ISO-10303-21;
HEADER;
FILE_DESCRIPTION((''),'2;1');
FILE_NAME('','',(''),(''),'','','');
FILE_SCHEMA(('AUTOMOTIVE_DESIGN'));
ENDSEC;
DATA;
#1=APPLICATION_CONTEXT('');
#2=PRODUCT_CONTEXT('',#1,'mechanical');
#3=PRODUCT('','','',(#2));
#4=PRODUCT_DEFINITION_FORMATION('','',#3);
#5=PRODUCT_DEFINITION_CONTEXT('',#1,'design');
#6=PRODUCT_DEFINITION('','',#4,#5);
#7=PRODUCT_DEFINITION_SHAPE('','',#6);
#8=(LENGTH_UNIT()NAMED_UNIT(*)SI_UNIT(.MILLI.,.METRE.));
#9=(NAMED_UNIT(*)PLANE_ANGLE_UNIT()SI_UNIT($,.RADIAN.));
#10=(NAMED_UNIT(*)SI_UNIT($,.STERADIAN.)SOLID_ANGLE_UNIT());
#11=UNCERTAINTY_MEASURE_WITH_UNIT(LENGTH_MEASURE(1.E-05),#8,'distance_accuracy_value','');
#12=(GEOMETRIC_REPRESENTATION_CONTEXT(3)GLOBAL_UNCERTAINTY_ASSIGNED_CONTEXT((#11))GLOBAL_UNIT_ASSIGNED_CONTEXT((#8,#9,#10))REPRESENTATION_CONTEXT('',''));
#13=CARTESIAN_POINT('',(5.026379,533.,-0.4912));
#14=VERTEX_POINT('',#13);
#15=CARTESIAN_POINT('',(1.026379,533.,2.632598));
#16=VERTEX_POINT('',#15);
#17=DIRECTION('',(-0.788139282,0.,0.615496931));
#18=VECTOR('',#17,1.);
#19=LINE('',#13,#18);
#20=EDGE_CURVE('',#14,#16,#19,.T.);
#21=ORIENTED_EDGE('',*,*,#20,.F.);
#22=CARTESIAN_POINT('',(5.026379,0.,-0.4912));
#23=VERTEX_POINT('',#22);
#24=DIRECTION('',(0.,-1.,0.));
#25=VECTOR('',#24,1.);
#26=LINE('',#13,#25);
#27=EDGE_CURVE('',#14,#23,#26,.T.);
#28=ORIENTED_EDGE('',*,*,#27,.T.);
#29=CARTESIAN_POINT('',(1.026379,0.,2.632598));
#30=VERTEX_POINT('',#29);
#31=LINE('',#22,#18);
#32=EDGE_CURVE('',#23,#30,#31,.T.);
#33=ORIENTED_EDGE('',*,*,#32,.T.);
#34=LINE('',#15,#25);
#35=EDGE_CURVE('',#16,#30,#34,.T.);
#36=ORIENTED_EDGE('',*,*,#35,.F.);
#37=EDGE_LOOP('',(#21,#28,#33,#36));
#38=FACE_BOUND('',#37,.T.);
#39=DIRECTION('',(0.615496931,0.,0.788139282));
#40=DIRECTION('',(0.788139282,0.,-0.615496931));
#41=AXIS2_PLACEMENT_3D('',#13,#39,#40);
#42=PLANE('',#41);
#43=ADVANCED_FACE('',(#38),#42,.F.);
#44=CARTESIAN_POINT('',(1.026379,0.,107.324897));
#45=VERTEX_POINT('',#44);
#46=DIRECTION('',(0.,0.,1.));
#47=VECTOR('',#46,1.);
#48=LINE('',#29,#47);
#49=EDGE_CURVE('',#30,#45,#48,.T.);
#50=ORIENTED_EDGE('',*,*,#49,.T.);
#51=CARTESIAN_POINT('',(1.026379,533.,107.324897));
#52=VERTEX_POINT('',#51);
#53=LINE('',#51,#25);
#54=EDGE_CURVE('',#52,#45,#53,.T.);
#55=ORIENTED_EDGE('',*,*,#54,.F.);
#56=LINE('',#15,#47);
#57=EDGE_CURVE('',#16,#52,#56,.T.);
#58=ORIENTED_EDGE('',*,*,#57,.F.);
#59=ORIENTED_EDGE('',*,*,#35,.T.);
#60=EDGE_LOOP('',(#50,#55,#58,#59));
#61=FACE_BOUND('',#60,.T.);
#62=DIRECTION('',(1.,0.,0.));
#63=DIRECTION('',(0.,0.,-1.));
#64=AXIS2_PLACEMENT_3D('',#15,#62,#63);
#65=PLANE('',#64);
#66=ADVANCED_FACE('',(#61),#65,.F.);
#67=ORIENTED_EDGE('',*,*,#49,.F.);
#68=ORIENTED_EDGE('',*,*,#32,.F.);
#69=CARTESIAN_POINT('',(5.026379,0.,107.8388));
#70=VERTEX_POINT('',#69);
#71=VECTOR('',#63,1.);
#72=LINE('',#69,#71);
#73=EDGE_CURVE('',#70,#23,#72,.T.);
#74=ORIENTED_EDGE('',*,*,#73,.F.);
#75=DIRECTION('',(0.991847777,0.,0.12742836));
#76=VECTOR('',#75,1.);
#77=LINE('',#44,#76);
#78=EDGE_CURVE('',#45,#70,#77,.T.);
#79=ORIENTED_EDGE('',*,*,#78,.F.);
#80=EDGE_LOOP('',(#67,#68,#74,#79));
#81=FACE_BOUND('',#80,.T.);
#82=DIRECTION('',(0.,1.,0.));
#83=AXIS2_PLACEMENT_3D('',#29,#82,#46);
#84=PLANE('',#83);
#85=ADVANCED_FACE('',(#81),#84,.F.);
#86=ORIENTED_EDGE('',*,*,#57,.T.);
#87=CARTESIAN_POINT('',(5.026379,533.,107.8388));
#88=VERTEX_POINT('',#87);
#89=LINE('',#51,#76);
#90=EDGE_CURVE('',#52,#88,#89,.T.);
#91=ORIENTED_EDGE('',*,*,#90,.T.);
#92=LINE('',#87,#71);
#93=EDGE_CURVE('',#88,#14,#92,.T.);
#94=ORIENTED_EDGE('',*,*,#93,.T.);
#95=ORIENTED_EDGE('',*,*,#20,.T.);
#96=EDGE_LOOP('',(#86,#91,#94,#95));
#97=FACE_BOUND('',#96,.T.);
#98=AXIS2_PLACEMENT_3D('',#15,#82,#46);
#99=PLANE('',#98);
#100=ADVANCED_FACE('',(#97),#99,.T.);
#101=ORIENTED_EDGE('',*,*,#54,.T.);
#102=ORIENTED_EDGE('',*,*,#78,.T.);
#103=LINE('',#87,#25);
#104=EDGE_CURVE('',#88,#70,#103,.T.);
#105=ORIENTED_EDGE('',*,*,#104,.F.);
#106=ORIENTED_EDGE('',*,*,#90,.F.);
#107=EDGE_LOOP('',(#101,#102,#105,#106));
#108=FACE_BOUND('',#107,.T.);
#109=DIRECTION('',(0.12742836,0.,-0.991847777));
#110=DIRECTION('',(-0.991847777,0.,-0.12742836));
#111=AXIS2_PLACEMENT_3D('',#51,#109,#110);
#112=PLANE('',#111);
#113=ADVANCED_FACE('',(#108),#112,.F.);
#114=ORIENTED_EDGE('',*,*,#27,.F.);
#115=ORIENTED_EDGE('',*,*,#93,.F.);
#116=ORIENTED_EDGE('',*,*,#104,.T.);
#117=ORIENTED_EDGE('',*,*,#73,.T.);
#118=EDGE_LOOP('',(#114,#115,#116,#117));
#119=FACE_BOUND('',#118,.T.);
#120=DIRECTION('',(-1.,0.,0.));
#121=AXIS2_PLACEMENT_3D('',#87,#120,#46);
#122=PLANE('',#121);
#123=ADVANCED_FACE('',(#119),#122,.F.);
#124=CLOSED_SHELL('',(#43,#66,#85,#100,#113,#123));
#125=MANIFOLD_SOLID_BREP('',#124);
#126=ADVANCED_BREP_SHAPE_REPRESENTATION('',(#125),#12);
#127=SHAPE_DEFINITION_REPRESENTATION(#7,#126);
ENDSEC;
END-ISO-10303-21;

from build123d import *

# Parameters (mm, degrees)
EXTRUDE_1_DEPTH = 533


with BuildPart() as part:
    # Эскиз1 → Вытянуть1 (new body)
    with BuildSketch(Plane(origin=(0, 0, 0), x_dir=(1, 0, 0), z_dir=(0, 1, 0))):
        Polygon((1.026379046, -2.632597563), (1.026379046, -107.324896908), (5.026379046, -107.838799799), (5.026379046, 0.491200201), align=None)
    extrude(amount=EXTRUDE_1_DEPTH)


solid = part.part
